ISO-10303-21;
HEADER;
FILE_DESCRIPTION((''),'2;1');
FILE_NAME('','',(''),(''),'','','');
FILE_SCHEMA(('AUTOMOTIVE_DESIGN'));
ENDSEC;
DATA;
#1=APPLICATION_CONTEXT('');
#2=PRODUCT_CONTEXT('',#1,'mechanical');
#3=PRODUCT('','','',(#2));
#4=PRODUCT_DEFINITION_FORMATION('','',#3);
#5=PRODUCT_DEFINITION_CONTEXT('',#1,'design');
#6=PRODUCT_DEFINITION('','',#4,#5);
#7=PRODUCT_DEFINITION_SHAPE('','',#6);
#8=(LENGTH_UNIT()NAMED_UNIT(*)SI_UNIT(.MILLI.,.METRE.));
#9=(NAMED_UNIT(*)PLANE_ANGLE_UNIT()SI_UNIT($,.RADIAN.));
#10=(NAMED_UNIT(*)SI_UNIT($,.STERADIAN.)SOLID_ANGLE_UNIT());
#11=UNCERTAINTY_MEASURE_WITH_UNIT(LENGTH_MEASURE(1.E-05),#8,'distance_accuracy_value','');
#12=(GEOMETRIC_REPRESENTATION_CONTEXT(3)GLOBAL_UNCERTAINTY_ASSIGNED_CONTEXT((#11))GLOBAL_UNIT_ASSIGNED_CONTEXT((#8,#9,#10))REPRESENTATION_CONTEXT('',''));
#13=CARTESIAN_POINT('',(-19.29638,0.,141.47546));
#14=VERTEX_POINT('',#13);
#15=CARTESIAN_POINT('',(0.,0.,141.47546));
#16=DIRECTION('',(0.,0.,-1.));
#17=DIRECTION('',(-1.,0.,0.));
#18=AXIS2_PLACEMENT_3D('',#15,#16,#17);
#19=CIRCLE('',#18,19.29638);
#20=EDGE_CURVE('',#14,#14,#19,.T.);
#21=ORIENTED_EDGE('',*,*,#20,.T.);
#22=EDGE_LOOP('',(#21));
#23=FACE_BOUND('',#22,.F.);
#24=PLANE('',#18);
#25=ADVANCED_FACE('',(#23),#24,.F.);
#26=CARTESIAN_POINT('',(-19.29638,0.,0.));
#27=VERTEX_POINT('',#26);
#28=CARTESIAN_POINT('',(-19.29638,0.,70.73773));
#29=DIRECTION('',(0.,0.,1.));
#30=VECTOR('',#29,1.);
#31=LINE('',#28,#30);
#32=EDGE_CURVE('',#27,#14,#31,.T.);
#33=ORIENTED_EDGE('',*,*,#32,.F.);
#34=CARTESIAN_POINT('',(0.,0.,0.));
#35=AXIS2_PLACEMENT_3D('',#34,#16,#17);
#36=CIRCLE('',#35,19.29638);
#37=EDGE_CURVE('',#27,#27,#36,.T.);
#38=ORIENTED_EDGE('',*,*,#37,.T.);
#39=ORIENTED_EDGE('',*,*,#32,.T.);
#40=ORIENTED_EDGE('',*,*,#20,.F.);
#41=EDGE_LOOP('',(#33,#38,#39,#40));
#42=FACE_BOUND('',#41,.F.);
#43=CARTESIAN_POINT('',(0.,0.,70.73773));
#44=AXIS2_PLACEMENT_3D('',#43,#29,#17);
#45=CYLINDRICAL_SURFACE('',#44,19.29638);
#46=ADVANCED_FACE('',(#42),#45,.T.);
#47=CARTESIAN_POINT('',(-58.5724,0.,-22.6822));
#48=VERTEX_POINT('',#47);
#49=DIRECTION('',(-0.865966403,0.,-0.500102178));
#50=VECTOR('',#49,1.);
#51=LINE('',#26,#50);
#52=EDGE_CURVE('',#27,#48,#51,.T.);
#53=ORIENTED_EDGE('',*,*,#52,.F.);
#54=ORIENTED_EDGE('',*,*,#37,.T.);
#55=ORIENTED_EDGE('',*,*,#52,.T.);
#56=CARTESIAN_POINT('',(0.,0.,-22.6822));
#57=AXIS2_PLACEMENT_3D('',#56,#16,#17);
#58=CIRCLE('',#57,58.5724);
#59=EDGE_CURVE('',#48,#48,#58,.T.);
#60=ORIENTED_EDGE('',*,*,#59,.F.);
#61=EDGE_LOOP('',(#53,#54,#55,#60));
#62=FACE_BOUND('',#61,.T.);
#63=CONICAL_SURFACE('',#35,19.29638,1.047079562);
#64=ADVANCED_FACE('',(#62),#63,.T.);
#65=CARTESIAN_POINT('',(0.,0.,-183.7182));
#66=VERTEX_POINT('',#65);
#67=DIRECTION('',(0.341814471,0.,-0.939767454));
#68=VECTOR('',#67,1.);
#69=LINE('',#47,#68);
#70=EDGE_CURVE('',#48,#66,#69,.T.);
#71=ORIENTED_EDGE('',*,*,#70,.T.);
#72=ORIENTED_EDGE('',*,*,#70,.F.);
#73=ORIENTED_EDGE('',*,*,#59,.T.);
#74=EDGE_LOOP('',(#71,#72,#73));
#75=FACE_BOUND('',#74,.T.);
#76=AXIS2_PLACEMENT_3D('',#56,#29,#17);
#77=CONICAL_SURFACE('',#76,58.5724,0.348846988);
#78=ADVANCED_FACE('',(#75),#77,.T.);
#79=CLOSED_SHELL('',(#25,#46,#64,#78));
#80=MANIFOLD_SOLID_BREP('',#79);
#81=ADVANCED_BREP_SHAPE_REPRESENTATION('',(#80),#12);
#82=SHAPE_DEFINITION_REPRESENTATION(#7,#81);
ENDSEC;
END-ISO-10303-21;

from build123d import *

# Parameters (mm, degrees)
F0_W = 19.29638
F0_H = 141.47546


with BuildPart() as f1:
    # F0 (on Front) → F1 (revolve)
    with BuildSketch(Plane.XZ):
        Polygon((0, -22.6822), (0, 0), (-19.29638, 0), (-58.5724, -22.6822), align=None)
        with Locations((-9.64819, 70.73773)):
            Rectangle(F0_W, F0_H)
        Polygon((0, -183.7182), (0, -22.6822), (-58.5724, -22.6822), align=None)
    revolve(axis=Axis((0, 0, 70.73773), (0, 0, -1)))


solid = f1.part
